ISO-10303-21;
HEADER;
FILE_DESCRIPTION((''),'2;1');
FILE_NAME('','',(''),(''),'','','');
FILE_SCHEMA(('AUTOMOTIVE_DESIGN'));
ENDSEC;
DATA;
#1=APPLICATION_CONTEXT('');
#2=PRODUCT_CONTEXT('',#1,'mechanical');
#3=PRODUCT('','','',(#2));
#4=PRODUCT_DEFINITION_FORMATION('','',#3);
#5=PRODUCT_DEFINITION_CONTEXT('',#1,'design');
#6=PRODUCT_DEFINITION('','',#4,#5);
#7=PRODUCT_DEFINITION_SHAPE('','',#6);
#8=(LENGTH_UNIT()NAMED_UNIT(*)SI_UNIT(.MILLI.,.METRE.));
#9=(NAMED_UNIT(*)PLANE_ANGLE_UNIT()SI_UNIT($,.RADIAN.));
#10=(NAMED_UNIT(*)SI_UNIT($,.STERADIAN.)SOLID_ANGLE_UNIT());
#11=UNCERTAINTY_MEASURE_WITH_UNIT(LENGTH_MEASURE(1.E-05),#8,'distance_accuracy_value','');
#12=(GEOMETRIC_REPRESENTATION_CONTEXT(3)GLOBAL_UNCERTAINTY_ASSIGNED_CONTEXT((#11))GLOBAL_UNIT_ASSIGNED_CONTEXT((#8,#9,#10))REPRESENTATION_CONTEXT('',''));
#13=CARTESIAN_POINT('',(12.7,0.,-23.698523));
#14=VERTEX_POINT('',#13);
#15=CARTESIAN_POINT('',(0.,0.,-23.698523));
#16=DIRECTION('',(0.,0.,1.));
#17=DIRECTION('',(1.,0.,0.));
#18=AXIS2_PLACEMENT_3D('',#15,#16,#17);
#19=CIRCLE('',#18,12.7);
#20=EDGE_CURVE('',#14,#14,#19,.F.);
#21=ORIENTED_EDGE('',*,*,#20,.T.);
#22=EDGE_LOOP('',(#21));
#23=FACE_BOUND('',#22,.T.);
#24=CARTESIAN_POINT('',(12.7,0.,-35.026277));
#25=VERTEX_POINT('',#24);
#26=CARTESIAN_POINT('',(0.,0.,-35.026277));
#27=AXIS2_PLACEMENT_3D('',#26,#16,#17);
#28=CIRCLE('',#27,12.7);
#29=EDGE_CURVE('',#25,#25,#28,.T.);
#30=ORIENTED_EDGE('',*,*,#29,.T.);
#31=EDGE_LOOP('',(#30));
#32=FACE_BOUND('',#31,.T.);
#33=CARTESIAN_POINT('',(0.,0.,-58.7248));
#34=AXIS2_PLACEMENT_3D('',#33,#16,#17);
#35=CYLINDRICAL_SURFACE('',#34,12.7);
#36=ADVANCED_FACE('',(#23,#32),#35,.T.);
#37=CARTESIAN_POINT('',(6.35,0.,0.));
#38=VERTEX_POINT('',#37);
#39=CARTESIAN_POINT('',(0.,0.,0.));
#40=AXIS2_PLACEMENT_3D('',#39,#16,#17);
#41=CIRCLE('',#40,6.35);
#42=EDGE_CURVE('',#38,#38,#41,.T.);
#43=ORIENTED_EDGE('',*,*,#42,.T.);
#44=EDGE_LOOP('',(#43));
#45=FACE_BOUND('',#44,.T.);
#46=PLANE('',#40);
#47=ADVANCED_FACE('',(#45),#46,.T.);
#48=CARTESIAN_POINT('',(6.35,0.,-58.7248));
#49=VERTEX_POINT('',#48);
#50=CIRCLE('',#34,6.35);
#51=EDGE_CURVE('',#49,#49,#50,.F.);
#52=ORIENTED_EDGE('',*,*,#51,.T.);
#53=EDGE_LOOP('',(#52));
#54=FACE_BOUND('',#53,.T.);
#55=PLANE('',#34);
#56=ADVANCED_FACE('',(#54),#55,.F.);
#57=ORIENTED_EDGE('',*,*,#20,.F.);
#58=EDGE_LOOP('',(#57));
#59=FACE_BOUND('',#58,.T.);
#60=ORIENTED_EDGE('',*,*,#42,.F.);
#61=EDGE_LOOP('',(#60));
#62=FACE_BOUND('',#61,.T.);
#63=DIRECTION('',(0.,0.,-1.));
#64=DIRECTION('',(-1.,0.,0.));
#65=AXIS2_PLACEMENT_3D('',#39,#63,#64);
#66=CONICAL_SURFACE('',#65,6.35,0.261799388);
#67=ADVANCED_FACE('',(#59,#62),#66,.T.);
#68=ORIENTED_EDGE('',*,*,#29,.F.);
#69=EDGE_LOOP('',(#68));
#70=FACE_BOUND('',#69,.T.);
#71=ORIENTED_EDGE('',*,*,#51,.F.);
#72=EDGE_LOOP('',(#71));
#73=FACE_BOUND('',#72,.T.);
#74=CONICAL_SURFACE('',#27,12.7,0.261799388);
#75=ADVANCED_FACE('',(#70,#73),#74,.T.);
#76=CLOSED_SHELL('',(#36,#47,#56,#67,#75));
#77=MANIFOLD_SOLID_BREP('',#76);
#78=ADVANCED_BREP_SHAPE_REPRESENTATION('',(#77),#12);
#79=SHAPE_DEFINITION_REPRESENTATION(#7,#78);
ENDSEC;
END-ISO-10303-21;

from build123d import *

# Parameters (mm, degrees)
SKETCH1_R           = 12.7
BOSS_EXTRUDE1_DEPTH = 58.7248
CHAMFER3_SIZE       = 6.35
CHAMFER3_SIZE2      = 23.698522628
CHAMFER4_SIZE       = 6.35
CHAMFER4_SIZE2      = 23.698522628


with BuildPart() as part:
    # Sketch1 → Boss-Extrude1 (new body)
    with BuildSketch(Plane.XY):
        Circle(SKETCH1_R)
    extrude(amount=-BOSS_EXTRUDE1_DEPTH)

    # Chamfer3
    chamfer3_edges = [part.edges().sort_by_distance(p)[0] for p in [
        (-12.7, 0, -58.7248),
    ]]
    chamfer3_side = [part.faces().sort_by_distance(p)[0] for p in [
        (0, 0, -58.7248),
    ]]
    chamfer(chamfer3_edges, length=CHAMFER3_SIZE, length2=CHAMFER3_SIZE2, reference=chamfer3_side[0])

    # Chamfer4
    chamfer4_edges = [part.edges().sort_by_distance(p)[0] for p in [
        (-12.7, 0, 0),
    ]]
    chamfer4_side = [part.faces().sort_by_distance(p)[0] for p in [
        (0, 0, 0),
    ]]
    chamfer(chamfer4_edges, length=CHAMFER4_SIZE, length2=CHAMFER4_SIZE2, reference=chamfer4_side[0])


solid = part.part
